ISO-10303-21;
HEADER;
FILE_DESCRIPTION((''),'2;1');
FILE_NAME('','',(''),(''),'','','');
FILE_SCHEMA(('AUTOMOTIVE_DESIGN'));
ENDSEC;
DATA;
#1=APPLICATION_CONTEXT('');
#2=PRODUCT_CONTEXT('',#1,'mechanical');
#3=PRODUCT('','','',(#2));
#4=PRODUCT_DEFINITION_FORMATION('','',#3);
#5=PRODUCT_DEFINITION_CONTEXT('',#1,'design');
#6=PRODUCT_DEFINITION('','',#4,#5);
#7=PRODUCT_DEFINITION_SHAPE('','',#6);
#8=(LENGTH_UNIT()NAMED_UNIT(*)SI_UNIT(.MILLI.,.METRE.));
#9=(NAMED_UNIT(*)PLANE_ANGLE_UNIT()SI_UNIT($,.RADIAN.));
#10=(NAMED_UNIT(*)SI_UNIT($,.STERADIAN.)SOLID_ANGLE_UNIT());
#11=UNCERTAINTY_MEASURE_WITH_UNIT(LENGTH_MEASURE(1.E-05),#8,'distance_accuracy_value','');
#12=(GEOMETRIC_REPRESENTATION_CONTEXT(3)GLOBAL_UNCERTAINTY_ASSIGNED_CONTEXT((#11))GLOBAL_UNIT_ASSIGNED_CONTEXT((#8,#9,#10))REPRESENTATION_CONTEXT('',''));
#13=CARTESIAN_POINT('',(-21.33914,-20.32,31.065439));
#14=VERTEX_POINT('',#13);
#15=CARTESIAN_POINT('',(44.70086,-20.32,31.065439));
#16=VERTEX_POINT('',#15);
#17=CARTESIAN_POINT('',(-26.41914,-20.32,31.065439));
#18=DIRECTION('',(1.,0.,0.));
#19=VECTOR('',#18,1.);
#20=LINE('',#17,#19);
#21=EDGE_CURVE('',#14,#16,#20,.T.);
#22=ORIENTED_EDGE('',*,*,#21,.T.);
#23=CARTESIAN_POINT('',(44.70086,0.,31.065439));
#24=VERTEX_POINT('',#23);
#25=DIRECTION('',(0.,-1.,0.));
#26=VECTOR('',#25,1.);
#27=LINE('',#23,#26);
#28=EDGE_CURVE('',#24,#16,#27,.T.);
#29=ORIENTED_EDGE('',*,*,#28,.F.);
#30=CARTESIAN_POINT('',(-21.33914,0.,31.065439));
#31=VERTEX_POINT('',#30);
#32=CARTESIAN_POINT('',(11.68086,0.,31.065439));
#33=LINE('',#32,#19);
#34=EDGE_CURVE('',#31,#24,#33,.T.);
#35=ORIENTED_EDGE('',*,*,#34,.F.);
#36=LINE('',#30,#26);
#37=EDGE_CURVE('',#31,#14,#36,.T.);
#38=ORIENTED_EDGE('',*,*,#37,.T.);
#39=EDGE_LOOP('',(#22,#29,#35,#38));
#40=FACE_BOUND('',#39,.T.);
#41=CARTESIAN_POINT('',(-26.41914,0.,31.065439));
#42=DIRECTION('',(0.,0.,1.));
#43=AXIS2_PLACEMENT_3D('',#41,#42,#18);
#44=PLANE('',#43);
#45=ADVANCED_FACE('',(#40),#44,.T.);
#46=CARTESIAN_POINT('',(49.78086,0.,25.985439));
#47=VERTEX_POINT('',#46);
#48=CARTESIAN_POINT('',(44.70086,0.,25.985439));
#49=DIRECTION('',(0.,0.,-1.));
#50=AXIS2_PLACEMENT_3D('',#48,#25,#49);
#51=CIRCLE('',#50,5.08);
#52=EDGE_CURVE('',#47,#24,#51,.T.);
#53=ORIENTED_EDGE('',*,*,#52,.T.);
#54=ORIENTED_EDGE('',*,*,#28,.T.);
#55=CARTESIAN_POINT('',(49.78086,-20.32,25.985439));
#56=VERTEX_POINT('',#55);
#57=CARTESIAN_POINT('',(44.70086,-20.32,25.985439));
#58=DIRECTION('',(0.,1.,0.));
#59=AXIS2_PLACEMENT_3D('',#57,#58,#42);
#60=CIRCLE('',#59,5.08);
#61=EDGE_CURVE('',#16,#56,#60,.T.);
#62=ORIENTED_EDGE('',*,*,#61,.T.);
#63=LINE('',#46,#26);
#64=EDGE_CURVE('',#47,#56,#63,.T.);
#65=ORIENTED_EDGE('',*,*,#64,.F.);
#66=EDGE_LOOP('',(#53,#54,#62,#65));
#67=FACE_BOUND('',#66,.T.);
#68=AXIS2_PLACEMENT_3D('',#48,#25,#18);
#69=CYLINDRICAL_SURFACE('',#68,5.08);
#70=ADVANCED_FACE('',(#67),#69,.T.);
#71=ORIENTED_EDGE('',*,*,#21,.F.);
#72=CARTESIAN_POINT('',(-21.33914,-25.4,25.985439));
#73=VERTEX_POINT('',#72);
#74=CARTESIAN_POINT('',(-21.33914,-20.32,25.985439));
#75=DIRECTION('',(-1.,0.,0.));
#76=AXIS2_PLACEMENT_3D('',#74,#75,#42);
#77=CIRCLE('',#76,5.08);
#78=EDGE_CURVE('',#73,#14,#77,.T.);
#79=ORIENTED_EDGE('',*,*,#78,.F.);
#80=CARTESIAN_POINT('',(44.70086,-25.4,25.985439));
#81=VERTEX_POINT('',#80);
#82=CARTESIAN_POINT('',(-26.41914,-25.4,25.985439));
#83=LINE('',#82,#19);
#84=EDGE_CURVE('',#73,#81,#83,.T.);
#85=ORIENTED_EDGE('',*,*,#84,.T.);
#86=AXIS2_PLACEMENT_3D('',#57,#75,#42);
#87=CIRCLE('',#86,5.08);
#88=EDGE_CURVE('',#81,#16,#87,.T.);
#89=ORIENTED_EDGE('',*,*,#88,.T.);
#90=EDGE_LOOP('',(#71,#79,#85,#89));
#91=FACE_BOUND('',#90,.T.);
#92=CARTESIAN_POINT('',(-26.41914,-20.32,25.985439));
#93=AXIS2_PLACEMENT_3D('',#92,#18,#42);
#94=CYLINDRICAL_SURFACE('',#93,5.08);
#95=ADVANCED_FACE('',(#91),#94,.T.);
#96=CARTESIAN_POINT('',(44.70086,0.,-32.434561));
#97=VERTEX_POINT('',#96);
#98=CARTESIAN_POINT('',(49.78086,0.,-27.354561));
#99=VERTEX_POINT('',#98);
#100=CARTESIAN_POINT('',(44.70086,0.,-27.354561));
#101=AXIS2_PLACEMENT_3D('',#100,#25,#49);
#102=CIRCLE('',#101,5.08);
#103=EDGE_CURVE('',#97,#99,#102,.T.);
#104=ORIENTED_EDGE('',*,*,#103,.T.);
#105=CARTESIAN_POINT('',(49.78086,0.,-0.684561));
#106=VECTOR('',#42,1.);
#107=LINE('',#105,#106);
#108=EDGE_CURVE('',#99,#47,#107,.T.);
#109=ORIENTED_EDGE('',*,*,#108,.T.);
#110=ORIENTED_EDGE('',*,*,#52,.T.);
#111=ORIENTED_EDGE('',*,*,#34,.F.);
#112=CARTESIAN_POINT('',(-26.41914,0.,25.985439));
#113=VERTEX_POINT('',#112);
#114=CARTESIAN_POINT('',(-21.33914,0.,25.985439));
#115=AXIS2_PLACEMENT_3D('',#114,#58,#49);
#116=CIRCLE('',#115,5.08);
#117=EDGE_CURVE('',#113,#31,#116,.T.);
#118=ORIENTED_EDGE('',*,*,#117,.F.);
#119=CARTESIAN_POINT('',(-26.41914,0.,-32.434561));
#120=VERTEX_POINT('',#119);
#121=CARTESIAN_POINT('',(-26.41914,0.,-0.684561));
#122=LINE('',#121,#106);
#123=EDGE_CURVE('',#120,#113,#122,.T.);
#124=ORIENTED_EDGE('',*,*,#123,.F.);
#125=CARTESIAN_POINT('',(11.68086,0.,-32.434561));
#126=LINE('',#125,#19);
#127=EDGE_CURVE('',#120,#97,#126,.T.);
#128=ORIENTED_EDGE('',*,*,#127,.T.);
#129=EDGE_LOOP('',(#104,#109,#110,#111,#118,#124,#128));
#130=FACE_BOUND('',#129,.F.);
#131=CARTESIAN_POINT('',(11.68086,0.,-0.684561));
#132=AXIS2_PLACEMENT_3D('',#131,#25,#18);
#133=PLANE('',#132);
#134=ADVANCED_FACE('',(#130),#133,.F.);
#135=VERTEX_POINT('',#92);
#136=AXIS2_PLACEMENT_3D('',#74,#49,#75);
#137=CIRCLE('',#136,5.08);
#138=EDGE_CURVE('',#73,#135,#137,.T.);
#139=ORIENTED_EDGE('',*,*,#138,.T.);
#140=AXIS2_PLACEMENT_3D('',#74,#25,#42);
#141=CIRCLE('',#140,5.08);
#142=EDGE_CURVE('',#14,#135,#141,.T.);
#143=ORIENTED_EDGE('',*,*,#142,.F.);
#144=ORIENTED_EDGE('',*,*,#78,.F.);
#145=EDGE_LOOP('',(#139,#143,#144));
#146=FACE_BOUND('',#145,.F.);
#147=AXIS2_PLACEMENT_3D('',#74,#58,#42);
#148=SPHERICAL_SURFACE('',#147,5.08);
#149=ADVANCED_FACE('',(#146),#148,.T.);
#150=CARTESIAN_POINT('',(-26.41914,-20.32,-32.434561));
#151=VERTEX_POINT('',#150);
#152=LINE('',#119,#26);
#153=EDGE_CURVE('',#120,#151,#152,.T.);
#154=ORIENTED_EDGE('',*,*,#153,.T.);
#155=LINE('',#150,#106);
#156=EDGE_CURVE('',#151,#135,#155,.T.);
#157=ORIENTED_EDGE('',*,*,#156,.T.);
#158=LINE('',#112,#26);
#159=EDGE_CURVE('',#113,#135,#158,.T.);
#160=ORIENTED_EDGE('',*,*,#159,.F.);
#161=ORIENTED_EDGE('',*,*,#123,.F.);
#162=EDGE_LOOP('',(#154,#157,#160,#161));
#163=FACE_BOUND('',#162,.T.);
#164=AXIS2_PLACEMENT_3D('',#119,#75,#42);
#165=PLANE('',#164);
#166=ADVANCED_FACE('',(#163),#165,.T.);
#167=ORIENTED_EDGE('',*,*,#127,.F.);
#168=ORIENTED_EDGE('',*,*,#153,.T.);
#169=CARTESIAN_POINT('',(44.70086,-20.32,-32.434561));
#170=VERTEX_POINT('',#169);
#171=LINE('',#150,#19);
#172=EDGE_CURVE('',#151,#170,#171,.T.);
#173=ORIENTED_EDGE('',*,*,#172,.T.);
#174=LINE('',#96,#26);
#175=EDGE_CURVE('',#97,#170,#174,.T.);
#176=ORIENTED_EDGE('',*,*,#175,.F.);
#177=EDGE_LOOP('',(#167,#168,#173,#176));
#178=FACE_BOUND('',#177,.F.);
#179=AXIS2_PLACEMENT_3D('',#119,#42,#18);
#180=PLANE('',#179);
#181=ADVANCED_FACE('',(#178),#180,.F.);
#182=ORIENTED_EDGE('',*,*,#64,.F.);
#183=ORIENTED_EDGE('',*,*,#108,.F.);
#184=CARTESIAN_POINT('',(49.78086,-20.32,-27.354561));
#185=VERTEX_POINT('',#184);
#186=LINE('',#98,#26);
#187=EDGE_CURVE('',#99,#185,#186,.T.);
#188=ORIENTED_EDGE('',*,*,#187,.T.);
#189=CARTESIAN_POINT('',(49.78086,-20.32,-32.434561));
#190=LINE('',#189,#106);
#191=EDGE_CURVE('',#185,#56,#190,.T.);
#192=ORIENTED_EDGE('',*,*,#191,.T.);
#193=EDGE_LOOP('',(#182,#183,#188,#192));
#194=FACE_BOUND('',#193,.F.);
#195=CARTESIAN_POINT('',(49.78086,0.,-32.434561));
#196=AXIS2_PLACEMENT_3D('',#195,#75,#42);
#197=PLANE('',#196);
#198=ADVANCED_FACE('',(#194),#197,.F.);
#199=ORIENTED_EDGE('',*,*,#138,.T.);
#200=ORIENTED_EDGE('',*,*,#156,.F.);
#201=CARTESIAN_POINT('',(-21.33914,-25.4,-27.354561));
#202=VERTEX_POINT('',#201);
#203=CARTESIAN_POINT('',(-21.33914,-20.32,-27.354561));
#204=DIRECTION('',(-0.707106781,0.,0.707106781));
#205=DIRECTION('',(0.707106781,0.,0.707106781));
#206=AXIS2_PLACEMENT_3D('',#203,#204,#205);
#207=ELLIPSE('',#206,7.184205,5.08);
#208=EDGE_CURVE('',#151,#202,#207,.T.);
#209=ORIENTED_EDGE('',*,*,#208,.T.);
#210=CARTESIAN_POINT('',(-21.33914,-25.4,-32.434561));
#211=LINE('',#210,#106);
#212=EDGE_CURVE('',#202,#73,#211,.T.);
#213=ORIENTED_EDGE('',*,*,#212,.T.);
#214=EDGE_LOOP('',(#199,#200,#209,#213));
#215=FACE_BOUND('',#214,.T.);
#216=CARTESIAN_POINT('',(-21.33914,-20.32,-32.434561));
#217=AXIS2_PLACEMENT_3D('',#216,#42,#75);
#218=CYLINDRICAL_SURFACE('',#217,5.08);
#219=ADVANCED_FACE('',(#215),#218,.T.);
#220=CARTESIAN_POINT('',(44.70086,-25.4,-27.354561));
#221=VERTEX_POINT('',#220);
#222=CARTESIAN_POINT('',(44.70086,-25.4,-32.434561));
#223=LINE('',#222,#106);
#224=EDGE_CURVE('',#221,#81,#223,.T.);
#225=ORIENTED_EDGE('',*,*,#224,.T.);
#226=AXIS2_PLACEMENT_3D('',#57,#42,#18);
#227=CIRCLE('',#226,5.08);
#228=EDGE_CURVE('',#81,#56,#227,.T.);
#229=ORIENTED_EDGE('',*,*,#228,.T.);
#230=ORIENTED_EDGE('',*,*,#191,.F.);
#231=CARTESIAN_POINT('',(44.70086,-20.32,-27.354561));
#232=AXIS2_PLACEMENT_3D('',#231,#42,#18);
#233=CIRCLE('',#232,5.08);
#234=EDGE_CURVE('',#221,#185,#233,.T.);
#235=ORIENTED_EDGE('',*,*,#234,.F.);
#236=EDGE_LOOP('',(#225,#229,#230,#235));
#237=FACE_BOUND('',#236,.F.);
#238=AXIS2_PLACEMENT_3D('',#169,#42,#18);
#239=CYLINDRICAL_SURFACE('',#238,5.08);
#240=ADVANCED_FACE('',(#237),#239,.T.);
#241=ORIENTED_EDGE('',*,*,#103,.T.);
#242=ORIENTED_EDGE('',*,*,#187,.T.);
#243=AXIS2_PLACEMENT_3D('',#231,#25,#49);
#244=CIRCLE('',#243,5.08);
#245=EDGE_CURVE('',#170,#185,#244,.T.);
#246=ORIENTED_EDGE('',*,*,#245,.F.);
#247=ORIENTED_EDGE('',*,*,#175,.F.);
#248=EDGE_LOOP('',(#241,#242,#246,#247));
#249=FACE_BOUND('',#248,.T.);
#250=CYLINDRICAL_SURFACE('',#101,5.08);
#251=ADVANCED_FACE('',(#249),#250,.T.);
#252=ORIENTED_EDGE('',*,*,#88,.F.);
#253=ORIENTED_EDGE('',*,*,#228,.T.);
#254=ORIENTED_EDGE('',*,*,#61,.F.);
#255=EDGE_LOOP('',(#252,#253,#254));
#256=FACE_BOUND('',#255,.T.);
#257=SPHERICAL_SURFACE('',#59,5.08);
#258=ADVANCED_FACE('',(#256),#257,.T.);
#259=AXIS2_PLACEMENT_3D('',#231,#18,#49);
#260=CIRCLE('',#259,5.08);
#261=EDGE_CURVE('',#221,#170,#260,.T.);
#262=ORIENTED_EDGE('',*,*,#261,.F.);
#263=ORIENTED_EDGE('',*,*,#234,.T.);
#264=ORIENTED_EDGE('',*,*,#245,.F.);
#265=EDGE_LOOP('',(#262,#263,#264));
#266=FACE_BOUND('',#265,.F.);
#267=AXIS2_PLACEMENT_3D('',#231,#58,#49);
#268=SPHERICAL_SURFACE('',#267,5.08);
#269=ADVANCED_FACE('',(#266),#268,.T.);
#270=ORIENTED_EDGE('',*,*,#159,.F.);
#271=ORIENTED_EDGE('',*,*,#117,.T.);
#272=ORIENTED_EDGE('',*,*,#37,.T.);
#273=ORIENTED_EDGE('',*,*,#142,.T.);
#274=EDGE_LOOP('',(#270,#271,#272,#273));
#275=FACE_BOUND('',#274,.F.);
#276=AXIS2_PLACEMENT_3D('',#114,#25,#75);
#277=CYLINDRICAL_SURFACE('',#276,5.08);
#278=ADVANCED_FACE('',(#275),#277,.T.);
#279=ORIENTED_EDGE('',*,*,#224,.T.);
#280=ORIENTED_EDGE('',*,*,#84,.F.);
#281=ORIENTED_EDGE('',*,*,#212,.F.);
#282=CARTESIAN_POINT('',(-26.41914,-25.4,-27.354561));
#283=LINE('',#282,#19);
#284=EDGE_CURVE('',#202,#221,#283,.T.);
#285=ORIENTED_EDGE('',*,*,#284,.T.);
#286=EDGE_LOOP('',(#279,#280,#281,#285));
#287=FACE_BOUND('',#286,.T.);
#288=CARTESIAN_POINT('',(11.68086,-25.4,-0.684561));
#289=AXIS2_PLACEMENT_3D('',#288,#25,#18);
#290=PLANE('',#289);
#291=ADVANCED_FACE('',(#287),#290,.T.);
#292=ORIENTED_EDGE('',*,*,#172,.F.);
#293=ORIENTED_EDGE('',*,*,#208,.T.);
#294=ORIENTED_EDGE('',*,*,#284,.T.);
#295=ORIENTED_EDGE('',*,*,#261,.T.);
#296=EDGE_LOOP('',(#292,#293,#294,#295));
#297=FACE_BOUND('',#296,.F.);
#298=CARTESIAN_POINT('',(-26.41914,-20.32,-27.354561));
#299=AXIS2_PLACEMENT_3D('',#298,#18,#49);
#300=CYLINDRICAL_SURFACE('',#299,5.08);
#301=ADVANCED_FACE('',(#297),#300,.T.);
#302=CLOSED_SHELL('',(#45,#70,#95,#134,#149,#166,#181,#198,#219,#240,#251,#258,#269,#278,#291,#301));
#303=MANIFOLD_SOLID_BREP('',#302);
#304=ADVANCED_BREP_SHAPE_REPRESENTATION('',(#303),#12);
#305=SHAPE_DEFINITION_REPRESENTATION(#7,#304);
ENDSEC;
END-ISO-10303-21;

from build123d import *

# Parameters (mm, degrees)
F0_W     = 76.2
F0_H     = 63.5
F1_DEPTH = 25.4
F2_R     = 5.08


with BuildPart() as f1:
    # F0 (on Front) → F1 (new body)
    with BuildSketch(Plane.XZ):
        with Locations((11.68086, -0.684561)):
            Rectangle(F0_W, F0_H)
    extrude(amount=F1_DEPTH)

    # F2
    f2_edges = [f1.edges().sort_by_distance(p)[0] for p in [
        (49.78086, -12.7, 31.065439),
        (-26.41914, -12.7, 31.065439),
        (49.78086, -12.7, -32.434561),
        (11.68086, -25.4, 31.065439),
        (-26.41914, -25.4, -0.684561),
        (11.68086, -25.4, -32.434561),
        (49.78086, -25.4, -0.684561),
    ]]
    fillet(f2_edges, radius=F2_R)


solid = f1.part
